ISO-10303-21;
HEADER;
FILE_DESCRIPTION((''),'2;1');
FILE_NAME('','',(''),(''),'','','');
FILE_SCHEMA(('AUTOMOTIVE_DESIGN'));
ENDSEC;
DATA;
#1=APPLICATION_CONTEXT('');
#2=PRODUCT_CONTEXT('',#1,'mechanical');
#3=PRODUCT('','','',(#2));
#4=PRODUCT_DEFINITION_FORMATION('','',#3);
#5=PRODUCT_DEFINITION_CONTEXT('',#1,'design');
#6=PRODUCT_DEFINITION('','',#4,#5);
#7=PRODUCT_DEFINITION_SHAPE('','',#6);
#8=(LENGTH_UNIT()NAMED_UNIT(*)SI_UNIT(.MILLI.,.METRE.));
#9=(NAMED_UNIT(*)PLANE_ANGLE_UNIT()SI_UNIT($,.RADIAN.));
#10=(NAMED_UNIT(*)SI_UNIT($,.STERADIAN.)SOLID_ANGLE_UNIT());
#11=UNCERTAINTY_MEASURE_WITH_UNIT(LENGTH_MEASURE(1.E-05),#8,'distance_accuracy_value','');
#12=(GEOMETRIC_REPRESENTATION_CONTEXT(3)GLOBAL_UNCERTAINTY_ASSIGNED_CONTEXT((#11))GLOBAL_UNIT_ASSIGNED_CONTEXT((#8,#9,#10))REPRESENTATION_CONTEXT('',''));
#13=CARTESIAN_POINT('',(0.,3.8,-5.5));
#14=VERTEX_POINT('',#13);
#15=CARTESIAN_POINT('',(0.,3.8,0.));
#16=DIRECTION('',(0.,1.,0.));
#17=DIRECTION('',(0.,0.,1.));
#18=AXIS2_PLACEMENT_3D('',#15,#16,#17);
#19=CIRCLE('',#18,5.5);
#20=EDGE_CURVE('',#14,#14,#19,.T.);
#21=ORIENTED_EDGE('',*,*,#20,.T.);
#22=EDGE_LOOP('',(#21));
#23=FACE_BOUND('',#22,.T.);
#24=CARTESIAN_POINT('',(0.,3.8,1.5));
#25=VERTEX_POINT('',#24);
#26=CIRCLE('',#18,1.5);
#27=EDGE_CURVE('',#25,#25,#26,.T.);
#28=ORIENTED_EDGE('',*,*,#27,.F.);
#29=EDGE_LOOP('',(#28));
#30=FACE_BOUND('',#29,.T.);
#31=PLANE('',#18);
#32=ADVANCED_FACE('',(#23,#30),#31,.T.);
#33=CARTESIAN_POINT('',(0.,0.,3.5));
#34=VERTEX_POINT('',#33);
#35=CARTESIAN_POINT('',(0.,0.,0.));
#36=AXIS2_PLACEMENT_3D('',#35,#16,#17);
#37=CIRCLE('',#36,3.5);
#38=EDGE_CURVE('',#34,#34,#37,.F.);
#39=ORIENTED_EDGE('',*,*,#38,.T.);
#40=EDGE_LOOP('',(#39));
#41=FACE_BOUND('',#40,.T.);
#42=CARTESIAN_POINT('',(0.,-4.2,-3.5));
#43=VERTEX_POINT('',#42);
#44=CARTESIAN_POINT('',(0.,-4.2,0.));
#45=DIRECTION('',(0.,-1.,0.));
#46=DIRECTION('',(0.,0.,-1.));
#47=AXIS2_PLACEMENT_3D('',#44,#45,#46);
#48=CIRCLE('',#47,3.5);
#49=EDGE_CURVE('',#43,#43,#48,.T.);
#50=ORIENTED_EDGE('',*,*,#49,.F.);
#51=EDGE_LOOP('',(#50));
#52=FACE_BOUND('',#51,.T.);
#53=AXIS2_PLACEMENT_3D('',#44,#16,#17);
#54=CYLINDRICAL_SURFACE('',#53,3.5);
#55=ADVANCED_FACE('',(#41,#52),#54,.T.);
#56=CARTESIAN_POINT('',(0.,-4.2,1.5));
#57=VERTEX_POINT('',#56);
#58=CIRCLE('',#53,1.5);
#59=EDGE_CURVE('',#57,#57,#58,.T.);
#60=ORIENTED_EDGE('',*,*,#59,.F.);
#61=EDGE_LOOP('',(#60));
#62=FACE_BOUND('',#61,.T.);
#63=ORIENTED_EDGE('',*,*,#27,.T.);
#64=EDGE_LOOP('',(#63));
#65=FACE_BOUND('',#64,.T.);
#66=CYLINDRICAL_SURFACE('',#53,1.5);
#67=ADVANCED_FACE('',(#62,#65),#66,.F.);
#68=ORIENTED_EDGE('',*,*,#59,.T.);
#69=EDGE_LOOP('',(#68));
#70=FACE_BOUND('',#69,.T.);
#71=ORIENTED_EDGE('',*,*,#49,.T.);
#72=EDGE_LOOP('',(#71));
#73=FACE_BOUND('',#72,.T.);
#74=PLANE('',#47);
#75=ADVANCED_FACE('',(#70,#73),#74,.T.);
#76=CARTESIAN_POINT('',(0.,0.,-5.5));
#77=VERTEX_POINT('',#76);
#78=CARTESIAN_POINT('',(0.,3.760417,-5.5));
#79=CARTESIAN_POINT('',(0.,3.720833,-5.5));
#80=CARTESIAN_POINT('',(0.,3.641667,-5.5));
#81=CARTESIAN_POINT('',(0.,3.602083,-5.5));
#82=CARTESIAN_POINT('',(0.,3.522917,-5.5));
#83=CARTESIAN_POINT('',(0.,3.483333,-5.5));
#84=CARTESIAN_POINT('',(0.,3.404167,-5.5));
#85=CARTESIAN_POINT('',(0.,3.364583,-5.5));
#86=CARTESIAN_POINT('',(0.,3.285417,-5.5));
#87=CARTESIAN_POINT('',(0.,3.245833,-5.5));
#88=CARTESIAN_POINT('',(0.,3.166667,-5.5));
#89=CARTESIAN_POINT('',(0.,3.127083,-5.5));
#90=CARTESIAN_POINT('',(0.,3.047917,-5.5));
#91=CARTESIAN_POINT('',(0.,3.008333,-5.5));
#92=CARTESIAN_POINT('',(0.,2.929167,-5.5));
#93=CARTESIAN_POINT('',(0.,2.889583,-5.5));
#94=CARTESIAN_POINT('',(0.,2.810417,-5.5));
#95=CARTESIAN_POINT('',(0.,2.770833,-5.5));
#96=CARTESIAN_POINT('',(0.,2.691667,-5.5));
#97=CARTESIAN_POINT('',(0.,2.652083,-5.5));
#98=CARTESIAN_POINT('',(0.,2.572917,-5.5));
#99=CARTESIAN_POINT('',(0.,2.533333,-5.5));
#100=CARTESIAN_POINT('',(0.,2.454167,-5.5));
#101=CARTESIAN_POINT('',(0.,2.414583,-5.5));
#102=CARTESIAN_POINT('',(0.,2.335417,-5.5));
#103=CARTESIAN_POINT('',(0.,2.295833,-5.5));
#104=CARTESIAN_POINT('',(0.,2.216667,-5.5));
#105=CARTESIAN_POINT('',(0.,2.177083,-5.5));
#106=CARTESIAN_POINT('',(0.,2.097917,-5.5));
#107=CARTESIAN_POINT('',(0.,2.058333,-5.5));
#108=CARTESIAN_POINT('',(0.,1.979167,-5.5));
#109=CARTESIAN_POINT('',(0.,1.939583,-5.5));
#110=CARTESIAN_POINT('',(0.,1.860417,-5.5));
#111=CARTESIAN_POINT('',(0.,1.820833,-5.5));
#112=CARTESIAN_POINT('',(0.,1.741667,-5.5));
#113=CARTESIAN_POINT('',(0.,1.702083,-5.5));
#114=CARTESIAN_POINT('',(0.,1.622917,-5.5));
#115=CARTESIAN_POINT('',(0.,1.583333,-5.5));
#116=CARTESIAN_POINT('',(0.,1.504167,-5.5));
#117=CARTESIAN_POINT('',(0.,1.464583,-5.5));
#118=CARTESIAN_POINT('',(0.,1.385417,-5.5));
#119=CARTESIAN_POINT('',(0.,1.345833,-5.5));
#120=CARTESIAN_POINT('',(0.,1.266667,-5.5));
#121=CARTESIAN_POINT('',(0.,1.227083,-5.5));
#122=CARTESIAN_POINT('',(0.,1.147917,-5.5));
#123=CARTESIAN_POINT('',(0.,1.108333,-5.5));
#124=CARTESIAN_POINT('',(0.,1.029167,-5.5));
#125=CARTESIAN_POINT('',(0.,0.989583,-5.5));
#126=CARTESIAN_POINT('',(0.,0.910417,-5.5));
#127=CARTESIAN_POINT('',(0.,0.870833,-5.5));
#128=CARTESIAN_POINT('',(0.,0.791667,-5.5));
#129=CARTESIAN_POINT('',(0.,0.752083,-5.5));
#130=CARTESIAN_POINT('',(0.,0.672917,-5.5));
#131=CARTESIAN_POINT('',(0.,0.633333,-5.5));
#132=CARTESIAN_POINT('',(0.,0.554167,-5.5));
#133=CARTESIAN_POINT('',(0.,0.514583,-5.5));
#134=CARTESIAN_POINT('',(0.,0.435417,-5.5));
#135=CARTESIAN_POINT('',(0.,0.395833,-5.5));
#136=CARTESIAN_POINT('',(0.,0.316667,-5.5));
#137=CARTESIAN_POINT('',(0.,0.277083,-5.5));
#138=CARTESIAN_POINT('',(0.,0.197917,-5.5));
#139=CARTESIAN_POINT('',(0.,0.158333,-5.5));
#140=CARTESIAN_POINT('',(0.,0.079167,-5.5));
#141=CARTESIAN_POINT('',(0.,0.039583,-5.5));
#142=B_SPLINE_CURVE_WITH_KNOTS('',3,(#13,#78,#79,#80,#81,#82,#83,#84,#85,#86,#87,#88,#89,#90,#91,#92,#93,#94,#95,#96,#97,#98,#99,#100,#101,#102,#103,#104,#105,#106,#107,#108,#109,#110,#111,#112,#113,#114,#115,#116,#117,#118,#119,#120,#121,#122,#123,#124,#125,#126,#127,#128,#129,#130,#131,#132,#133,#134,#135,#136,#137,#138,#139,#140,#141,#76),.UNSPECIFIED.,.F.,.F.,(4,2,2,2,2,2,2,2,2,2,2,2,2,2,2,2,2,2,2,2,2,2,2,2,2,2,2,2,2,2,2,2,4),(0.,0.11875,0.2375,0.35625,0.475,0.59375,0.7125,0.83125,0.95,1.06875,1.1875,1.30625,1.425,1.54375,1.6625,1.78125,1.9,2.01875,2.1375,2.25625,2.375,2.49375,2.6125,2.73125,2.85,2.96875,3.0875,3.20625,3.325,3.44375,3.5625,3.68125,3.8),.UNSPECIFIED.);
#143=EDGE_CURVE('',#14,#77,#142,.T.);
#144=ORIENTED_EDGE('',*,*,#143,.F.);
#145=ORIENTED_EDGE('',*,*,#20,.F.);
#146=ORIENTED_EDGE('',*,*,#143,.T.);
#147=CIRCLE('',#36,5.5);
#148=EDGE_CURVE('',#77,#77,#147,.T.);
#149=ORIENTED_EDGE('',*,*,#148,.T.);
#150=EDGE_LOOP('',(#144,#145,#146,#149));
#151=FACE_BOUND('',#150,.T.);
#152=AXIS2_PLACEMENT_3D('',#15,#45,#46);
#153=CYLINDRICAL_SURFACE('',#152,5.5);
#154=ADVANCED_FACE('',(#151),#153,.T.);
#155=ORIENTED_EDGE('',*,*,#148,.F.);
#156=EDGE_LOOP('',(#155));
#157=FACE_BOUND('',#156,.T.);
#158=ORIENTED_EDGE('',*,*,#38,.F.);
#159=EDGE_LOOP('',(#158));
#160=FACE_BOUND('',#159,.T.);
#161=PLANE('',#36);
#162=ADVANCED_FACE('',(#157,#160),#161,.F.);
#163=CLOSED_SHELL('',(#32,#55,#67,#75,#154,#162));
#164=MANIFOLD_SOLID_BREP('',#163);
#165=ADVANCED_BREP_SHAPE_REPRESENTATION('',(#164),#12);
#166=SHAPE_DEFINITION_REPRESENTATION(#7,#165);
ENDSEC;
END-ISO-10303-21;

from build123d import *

# Parameters (mm, degrees)
SKETCH1_R           = 5.5
BOSS_EXTRUDE1_DEPTH = 3.8
SKETCH2_R           = 3.5
BOSS_EXTRUDE2_DEPTH = 4.2
SKETCH3_R           = 1.5
CUT_EXTRUDE1_DEPTH  = 12.157956802


with BuildPart() as part:
    # Sketch1 → Boss-Extrude1 (new body)
    with BuildSketch(Plane(origin=(0, 0, 0), x_dir=(1, 0, 0), z_dir=(0, 1, 0))):
        with Locations(Location((0, 0, 0), (0, 0, 90))):
            Circle(SKETCH1_R)
    extrude(amount=BOSS_EXTRUDE1_DEPTH)

    # Sketch2 → Boss-Extrude2 (add)
    with BuildSketch(Plane.XZ):
        with Locations(Location((0, 0, 0), (0, 0, 90))):
            Circle(SKETCH2_R)
    extrude(amount=BOSS_EXTRUDE2_DEPTH)

    # Sketch3 → Cut-Extrude1 (cut, through all)
    with BuildSketch(Plane(origin=(0, 3.8, 0), x_dir=(1, 0, 0), z_dir=(0, 1, 0))):
        with Locations(Location((0, 0, 0), (0, 0, 270))):
            Circle(SKETCH3_R)
    extrude(amount=-CUT_EXTRUDE1_DEPTH, mode=Mode.SUBTRACT)


solid = part.part
